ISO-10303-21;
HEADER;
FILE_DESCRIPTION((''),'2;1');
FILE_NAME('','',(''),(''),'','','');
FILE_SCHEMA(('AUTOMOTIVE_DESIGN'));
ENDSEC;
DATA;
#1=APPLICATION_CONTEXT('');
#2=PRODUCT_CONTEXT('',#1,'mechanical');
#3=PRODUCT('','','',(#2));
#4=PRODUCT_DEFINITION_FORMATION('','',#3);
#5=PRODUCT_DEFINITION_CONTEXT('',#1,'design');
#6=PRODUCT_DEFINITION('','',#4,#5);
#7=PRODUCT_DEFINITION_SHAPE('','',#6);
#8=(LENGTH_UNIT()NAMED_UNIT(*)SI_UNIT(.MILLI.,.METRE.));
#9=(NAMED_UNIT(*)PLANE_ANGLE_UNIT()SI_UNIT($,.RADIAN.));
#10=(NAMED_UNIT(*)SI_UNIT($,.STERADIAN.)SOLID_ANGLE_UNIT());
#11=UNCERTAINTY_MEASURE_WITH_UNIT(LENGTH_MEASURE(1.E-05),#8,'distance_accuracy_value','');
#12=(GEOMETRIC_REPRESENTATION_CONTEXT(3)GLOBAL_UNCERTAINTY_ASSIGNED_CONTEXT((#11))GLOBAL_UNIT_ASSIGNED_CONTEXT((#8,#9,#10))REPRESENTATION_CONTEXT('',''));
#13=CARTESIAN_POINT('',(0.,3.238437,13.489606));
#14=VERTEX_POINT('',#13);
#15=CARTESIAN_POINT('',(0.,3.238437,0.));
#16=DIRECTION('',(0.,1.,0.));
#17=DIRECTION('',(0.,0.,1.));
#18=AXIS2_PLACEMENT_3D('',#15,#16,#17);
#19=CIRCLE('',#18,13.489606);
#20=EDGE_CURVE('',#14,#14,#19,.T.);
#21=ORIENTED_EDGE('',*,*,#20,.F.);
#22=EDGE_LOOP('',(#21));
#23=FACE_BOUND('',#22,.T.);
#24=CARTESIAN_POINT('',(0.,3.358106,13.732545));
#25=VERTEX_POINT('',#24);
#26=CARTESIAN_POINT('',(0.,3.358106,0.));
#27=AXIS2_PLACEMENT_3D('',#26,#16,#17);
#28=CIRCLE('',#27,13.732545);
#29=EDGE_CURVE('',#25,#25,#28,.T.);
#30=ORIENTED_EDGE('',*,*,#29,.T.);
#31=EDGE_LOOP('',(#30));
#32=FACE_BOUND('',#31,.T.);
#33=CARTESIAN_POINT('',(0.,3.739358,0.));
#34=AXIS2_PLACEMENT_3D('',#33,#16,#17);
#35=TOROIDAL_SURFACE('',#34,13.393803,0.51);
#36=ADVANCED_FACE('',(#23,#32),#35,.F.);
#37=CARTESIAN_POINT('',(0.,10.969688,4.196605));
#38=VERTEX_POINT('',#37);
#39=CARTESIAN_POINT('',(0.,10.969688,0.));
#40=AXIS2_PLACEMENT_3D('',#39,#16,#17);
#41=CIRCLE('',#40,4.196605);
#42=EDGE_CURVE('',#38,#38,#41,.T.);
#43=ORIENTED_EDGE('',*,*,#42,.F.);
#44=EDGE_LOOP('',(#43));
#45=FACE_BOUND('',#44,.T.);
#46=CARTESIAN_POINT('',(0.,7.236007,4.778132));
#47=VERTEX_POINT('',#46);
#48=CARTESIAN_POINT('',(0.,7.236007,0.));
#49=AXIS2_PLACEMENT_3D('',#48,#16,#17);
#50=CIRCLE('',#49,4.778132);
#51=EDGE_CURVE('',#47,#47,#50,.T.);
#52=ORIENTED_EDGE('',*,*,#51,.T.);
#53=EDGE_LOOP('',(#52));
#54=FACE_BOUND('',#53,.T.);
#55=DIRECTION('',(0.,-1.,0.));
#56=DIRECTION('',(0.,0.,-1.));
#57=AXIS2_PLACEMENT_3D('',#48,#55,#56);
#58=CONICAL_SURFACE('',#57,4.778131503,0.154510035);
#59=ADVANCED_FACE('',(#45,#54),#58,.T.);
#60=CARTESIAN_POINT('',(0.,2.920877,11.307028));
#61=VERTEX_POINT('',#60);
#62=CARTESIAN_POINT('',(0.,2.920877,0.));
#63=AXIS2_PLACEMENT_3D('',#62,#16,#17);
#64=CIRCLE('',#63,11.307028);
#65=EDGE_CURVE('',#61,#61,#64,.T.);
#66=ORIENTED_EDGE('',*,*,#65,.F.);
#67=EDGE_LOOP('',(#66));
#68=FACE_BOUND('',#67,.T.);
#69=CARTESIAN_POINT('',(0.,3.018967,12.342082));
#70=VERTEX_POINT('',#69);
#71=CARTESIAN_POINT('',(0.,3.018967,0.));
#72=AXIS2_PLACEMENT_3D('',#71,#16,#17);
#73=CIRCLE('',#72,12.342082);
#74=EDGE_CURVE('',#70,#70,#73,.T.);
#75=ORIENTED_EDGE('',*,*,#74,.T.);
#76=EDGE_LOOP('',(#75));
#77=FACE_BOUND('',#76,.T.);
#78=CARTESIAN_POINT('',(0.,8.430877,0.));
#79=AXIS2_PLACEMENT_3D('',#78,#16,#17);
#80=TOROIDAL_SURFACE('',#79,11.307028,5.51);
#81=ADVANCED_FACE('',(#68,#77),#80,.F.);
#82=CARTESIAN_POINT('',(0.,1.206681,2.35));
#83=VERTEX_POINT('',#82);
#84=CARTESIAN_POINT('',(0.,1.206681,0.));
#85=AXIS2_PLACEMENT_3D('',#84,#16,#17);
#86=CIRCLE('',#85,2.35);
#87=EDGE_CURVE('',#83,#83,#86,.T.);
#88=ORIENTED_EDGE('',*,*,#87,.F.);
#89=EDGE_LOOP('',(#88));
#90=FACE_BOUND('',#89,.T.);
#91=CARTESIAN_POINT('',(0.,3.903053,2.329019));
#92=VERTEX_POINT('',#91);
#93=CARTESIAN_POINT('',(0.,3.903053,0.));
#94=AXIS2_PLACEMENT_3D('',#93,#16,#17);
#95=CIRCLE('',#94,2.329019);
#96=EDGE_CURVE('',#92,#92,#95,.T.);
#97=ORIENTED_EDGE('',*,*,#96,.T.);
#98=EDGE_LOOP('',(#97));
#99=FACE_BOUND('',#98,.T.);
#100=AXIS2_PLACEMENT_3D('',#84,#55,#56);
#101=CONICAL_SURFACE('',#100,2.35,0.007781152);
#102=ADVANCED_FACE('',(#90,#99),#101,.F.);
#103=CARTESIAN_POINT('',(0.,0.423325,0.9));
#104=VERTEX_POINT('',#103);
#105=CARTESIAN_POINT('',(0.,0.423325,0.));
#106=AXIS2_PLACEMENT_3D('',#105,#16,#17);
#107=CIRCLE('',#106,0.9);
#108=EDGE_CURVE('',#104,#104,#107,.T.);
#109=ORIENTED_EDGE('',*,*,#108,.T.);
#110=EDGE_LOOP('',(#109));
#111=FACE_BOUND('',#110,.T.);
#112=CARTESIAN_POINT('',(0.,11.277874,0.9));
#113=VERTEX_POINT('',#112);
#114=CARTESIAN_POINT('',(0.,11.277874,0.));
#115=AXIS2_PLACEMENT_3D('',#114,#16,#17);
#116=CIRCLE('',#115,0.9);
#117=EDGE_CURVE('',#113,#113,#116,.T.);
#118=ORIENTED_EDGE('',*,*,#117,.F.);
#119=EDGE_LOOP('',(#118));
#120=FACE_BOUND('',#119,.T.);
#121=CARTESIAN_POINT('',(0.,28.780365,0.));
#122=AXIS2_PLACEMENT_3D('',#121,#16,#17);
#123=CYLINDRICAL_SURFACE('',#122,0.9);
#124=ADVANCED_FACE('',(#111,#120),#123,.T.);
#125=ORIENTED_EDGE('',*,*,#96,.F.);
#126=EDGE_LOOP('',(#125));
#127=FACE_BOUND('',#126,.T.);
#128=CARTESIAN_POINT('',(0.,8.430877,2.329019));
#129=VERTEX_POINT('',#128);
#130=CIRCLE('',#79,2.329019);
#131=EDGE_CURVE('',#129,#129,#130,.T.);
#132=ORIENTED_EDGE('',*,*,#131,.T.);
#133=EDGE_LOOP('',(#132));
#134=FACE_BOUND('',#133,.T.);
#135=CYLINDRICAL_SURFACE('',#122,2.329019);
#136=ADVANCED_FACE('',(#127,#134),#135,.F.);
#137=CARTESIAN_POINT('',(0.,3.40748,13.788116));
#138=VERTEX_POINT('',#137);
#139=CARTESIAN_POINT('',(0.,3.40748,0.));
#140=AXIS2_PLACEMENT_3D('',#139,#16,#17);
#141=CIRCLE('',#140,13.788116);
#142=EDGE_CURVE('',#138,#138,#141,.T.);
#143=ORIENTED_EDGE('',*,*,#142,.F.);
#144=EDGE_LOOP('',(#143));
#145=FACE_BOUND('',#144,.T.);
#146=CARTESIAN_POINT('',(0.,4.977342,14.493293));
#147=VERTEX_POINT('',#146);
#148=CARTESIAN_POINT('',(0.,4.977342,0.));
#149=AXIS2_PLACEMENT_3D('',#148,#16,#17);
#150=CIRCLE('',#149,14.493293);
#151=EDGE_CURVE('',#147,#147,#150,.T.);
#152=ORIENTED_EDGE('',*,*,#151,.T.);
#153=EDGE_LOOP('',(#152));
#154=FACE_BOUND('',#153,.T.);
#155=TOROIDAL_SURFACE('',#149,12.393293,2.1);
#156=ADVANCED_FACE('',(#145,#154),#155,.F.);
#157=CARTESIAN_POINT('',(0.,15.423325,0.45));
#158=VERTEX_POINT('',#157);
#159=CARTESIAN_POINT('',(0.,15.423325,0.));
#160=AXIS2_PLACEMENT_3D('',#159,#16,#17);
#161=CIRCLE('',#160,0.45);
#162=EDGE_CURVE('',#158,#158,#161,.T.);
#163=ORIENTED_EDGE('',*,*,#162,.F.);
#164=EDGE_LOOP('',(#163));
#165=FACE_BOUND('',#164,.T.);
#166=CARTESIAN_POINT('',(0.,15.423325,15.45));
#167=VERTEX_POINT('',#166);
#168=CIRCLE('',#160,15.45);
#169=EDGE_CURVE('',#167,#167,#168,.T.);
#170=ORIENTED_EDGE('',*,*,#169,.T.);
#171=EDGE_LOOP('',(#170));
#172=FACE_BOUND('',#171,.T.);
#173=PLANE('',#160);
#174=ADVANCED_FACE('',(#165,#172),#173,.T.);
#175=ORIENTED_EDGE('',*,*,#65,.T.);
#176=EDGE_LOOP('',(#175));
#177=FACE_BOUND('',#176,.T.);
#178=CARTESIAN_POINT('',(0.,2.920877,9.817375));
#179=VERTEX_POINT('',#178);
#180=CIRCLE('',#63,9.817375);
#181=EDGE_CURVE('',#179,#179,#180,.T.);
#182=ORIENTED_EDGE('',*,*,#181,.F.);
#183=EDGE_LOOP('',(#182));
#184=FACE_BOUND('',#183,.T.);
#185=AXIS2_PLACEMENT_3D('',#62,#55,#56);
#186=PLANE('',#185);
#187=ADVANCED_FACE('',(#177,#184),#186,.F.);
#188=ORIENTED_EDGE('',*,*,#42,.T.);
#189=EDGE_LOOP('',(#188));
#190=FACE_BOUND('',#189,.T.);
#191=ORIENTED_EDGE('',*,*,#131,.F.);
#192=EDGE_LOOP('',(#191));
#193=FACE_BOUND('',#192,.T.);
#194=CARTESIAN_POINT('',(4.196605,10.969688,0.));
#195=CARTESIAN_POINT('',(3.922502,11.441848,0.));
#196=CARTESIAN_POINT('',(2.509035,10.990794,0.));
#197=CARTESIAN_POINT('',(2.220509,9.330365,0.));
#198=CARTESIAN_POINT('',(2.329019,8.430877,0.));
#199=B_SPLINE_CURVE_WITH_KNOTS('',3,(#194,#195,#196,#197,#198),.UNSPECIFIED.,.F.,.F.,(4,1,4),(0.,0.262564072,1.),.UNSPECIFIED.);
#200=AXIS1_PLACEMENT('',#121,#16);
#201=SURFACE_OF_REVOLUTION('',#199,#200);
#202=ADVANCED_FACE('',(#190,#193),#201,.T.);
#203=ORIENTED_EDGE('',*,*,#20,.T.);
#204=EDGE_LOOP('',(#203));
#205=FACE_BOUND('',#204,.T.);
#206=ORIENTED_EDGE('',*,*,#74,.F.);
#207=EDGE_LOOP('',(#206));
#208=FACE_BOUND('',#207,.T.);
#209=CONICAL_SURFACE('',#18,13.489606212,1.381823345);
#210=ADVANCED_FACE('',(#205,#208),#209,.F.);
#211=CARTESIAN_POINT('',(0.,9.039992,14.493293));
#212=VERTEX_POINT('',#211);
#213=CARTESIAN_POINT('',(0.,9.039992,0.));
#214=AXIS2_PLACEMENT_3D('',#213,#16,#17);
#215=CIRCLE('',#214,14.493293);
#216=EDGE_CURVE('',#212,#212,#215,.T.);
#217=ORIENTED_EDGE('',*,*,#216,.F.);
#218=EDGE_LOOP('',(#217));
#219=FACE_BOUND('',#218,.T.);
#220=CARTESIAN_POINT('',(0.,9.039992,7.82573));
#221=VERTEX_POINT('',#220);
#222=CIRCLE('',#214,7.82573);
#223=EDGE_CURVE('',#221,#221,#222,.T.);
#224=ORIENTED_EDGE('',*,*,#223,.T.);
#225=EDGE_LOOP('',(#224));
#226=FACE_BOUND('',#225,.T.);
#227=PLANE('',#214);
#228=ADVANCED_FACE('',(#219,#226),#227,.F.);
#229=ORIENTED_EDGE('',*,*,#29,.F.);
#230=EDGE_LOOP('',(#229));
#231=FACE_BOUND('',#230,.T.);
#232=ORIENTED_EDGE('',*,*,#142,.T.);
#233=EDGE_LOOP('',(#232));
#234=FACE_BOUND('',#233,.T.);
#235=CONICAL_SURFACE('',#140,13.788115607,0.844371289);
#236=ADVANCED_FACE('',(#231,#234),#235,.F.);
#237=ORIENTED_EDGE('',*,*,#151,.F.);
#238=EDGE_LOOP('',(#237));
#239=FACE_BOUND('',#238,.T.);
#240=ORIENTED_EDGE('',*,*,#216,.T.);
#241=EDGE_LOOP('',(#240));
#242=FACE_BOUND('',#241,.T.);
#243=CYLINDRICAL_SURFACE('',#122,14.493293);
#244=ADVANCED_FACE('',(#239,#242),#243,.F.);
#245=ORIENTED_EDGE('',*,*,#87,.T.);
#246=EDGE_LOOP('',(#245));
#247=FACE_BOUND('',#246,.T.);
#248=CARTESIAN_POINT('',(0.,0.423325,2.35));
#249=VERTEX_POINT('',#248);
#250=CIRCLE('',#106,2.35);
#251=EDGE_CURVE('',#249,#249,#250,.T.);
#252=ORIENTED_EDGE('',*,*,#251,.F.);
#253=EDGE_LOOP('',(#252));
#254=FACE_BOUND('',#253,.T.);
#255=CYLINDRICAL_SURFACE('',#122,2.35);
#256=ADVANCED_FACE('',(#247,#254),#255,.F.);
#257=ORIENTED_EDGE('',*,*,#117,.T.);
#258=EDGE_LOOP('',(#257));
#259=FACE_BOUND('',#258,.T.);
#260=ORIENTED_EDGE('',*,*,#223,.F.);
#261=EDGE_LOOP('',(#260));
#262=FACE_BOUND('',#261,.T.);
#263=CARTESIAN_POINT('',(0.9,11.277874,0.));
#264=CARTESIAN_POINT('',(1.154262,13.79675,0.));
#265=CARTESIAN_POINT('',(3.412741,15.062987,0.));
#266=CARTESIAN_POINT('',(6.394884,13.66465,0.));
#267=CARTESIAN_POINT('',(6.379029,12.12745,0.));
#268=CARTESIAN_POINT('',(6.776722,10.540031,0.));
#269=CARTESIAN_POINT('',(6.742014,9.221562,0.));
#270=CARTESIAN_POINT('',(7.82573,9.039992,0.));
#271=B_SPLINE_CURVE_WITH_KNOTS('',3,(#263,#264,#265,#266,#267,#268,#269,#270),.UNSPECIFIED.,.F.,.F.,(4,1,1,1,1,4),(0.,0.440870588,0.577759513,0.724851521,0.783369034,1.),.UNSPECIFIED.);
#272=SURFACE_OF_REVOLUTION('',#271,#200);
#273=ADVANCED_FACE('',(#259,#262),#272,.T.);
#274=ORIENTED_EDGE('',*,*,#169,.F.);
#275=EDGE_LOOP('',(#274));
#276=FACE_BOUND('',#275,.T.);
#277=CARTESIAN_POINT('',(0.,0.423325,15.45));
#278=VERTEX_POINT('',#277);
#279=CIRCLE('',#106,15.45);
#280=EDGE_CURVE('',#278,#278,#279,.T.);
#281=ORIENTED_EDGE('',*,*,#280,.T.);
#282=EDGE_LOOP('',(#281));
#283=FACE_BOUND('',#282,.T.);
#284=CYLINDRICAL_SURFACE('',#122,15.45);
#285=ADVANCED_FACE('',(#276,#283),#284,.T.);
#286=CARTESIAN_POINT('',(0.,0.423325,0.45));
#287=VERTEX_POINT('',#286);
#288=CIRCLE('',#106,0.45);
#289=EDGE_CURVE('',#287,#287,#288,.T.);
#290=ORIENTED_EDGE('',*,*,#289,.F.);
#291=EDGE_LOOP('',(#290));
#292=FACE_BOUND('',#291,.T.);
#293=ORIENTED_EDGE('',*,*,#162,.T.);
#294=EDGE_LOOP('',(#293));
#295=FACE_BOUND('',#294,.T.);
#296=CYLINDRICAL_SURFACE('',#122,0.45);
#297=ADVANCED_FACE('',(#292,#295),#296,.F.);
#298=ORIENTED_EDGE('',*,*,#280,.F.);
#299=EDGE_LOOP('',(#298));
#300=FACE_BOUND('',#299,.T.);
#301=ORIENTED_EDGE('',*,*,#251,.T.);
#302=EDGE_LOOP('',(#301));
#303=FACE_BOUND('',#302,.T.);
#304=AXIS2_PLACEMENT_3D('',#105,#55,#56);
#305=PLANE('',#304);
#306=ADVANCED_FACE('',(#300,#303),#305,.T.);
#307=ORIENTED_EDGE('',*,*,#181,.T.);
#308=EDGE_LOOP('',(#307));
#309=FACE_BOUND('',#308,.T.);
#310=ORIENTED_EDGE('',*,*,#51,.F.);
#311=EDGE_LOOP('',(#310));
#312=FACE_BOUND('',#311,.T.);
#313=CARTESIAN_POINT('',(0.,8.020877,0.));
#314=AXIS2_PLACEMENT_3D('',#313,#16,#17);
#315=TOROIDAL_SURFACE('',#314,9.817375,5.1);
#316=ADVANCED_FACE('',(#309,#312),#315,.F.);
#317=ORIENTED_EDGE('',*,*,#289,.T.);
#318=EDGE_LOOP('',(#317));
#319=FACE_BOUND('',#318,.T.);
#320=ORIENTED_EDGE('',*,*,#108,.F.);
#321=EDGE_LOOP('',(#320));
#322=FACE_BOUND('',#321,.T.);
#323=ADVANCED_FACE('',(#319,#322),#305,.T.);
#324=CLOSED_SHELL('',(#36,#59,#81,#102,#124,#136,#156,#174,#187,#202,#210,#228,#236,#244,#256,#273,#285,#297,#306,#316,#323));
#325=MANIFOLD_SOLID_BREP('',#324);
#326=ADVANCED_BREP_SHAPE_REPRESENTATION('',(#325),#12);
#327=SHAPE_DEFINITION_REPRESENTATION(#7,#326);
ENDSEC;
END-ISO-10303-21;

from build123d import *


with BuildPart() as part:
    # Sketch2 → Revolve1 (revolve)
    with BuildSketch(Plane.XY, mode=Mode.PRIVATE) as revolve1_sk:
        with BuildLine():
            Line((0.45, 0.423325242), (0.45, 15.423325242))
            Line((0.45, 15.423325242), (15.45, 15.423325242))
            Line((15.45, 15.423325242), (15.45, 0.423325242))
            Line((15.45, 0.423325242), (2.35, 0.423325242))
            Line((2.35, 0.423325242), (2.35, 1.206680612))
            Line((2.35, 1.206680612), (2.32901869, 3.903053406))
            Line((2.32901869, 3.903053406), (2.32901869, 8.430876594))
            add(Edge.make_bspline(
                [(4.196605338, 10.969687667), (3.922502386, 11.441848149), (2.509035232, 10.990794392), (2.220509348, 9.330364972), (2.32901869, 8.430876594)],
                knots=[0, 0, 0, 0, 0.262564072, 1, 1, 1, 1], degree=3))
            Line((4.196605338, 10.969687667), (4.778131503, 7.236007047))
            ThreePointArc((4.778131503, 7.236007047), (6.500210622, 4.147064861), (9.817375473, 2.920876594))
            Line((9.817375473, 2.920876594), (11.307027571, 2.920876594))
            ThreePointArc((11.307027571, 2.920876594), (11.826873824, 2.945454106), (12.342082499, 3.018967384))
            Line((12.342082499, 3.018967384), (13.489606212, 3.238437081))
            ThreePointArc((13.489606212, 3.238437081), (13.619163994, 3.281851358), (13.732545298, 3.358105526))
            Line((13.732545298, 3.358105526), (13.788115607, 3.407479744))
            ThreePointArc((13.788115607, 3.407479744), (14.308903284, 4.116856602), (14.493292649, 4.977342449))
            Line((14.493292649, 4.977342449), (14.493292649, 9.039992195))
            Line((14.493292649, 9.039992195), (7.825729831, 9.039992195))
            add(Edge.make_bspline(
                [(0.9, 11.277873829), (1.154261749, 13.796749585), (3.412741165, 15.062987228), (6.394883753, 13.664649552), (6.379029002, 12.127449794), (6.776722254, 10.540030851), (6.74201353, 9.221561674), (7.825729831, 9.039992195)],
                knots=[0, 0, 0, 0, 0.440870588, 0.577759513, 0.724851521, 0.783369034, 1, 1, 1, 1], degree=3))
            Line((0.9, 11.277873829), (0.9, 0.423325242))
            Line((0.9, 0.423325242), (0.45, 0.423325242))
        make_face()
    revolve(revolve1_sk.sketch.rotate(Axis((0, 28.78036469, 0), (0, -1, 0)), 90), axis=Axis((0, 28.78036469, 0), (0, -1, 0)))


solid = part.part
